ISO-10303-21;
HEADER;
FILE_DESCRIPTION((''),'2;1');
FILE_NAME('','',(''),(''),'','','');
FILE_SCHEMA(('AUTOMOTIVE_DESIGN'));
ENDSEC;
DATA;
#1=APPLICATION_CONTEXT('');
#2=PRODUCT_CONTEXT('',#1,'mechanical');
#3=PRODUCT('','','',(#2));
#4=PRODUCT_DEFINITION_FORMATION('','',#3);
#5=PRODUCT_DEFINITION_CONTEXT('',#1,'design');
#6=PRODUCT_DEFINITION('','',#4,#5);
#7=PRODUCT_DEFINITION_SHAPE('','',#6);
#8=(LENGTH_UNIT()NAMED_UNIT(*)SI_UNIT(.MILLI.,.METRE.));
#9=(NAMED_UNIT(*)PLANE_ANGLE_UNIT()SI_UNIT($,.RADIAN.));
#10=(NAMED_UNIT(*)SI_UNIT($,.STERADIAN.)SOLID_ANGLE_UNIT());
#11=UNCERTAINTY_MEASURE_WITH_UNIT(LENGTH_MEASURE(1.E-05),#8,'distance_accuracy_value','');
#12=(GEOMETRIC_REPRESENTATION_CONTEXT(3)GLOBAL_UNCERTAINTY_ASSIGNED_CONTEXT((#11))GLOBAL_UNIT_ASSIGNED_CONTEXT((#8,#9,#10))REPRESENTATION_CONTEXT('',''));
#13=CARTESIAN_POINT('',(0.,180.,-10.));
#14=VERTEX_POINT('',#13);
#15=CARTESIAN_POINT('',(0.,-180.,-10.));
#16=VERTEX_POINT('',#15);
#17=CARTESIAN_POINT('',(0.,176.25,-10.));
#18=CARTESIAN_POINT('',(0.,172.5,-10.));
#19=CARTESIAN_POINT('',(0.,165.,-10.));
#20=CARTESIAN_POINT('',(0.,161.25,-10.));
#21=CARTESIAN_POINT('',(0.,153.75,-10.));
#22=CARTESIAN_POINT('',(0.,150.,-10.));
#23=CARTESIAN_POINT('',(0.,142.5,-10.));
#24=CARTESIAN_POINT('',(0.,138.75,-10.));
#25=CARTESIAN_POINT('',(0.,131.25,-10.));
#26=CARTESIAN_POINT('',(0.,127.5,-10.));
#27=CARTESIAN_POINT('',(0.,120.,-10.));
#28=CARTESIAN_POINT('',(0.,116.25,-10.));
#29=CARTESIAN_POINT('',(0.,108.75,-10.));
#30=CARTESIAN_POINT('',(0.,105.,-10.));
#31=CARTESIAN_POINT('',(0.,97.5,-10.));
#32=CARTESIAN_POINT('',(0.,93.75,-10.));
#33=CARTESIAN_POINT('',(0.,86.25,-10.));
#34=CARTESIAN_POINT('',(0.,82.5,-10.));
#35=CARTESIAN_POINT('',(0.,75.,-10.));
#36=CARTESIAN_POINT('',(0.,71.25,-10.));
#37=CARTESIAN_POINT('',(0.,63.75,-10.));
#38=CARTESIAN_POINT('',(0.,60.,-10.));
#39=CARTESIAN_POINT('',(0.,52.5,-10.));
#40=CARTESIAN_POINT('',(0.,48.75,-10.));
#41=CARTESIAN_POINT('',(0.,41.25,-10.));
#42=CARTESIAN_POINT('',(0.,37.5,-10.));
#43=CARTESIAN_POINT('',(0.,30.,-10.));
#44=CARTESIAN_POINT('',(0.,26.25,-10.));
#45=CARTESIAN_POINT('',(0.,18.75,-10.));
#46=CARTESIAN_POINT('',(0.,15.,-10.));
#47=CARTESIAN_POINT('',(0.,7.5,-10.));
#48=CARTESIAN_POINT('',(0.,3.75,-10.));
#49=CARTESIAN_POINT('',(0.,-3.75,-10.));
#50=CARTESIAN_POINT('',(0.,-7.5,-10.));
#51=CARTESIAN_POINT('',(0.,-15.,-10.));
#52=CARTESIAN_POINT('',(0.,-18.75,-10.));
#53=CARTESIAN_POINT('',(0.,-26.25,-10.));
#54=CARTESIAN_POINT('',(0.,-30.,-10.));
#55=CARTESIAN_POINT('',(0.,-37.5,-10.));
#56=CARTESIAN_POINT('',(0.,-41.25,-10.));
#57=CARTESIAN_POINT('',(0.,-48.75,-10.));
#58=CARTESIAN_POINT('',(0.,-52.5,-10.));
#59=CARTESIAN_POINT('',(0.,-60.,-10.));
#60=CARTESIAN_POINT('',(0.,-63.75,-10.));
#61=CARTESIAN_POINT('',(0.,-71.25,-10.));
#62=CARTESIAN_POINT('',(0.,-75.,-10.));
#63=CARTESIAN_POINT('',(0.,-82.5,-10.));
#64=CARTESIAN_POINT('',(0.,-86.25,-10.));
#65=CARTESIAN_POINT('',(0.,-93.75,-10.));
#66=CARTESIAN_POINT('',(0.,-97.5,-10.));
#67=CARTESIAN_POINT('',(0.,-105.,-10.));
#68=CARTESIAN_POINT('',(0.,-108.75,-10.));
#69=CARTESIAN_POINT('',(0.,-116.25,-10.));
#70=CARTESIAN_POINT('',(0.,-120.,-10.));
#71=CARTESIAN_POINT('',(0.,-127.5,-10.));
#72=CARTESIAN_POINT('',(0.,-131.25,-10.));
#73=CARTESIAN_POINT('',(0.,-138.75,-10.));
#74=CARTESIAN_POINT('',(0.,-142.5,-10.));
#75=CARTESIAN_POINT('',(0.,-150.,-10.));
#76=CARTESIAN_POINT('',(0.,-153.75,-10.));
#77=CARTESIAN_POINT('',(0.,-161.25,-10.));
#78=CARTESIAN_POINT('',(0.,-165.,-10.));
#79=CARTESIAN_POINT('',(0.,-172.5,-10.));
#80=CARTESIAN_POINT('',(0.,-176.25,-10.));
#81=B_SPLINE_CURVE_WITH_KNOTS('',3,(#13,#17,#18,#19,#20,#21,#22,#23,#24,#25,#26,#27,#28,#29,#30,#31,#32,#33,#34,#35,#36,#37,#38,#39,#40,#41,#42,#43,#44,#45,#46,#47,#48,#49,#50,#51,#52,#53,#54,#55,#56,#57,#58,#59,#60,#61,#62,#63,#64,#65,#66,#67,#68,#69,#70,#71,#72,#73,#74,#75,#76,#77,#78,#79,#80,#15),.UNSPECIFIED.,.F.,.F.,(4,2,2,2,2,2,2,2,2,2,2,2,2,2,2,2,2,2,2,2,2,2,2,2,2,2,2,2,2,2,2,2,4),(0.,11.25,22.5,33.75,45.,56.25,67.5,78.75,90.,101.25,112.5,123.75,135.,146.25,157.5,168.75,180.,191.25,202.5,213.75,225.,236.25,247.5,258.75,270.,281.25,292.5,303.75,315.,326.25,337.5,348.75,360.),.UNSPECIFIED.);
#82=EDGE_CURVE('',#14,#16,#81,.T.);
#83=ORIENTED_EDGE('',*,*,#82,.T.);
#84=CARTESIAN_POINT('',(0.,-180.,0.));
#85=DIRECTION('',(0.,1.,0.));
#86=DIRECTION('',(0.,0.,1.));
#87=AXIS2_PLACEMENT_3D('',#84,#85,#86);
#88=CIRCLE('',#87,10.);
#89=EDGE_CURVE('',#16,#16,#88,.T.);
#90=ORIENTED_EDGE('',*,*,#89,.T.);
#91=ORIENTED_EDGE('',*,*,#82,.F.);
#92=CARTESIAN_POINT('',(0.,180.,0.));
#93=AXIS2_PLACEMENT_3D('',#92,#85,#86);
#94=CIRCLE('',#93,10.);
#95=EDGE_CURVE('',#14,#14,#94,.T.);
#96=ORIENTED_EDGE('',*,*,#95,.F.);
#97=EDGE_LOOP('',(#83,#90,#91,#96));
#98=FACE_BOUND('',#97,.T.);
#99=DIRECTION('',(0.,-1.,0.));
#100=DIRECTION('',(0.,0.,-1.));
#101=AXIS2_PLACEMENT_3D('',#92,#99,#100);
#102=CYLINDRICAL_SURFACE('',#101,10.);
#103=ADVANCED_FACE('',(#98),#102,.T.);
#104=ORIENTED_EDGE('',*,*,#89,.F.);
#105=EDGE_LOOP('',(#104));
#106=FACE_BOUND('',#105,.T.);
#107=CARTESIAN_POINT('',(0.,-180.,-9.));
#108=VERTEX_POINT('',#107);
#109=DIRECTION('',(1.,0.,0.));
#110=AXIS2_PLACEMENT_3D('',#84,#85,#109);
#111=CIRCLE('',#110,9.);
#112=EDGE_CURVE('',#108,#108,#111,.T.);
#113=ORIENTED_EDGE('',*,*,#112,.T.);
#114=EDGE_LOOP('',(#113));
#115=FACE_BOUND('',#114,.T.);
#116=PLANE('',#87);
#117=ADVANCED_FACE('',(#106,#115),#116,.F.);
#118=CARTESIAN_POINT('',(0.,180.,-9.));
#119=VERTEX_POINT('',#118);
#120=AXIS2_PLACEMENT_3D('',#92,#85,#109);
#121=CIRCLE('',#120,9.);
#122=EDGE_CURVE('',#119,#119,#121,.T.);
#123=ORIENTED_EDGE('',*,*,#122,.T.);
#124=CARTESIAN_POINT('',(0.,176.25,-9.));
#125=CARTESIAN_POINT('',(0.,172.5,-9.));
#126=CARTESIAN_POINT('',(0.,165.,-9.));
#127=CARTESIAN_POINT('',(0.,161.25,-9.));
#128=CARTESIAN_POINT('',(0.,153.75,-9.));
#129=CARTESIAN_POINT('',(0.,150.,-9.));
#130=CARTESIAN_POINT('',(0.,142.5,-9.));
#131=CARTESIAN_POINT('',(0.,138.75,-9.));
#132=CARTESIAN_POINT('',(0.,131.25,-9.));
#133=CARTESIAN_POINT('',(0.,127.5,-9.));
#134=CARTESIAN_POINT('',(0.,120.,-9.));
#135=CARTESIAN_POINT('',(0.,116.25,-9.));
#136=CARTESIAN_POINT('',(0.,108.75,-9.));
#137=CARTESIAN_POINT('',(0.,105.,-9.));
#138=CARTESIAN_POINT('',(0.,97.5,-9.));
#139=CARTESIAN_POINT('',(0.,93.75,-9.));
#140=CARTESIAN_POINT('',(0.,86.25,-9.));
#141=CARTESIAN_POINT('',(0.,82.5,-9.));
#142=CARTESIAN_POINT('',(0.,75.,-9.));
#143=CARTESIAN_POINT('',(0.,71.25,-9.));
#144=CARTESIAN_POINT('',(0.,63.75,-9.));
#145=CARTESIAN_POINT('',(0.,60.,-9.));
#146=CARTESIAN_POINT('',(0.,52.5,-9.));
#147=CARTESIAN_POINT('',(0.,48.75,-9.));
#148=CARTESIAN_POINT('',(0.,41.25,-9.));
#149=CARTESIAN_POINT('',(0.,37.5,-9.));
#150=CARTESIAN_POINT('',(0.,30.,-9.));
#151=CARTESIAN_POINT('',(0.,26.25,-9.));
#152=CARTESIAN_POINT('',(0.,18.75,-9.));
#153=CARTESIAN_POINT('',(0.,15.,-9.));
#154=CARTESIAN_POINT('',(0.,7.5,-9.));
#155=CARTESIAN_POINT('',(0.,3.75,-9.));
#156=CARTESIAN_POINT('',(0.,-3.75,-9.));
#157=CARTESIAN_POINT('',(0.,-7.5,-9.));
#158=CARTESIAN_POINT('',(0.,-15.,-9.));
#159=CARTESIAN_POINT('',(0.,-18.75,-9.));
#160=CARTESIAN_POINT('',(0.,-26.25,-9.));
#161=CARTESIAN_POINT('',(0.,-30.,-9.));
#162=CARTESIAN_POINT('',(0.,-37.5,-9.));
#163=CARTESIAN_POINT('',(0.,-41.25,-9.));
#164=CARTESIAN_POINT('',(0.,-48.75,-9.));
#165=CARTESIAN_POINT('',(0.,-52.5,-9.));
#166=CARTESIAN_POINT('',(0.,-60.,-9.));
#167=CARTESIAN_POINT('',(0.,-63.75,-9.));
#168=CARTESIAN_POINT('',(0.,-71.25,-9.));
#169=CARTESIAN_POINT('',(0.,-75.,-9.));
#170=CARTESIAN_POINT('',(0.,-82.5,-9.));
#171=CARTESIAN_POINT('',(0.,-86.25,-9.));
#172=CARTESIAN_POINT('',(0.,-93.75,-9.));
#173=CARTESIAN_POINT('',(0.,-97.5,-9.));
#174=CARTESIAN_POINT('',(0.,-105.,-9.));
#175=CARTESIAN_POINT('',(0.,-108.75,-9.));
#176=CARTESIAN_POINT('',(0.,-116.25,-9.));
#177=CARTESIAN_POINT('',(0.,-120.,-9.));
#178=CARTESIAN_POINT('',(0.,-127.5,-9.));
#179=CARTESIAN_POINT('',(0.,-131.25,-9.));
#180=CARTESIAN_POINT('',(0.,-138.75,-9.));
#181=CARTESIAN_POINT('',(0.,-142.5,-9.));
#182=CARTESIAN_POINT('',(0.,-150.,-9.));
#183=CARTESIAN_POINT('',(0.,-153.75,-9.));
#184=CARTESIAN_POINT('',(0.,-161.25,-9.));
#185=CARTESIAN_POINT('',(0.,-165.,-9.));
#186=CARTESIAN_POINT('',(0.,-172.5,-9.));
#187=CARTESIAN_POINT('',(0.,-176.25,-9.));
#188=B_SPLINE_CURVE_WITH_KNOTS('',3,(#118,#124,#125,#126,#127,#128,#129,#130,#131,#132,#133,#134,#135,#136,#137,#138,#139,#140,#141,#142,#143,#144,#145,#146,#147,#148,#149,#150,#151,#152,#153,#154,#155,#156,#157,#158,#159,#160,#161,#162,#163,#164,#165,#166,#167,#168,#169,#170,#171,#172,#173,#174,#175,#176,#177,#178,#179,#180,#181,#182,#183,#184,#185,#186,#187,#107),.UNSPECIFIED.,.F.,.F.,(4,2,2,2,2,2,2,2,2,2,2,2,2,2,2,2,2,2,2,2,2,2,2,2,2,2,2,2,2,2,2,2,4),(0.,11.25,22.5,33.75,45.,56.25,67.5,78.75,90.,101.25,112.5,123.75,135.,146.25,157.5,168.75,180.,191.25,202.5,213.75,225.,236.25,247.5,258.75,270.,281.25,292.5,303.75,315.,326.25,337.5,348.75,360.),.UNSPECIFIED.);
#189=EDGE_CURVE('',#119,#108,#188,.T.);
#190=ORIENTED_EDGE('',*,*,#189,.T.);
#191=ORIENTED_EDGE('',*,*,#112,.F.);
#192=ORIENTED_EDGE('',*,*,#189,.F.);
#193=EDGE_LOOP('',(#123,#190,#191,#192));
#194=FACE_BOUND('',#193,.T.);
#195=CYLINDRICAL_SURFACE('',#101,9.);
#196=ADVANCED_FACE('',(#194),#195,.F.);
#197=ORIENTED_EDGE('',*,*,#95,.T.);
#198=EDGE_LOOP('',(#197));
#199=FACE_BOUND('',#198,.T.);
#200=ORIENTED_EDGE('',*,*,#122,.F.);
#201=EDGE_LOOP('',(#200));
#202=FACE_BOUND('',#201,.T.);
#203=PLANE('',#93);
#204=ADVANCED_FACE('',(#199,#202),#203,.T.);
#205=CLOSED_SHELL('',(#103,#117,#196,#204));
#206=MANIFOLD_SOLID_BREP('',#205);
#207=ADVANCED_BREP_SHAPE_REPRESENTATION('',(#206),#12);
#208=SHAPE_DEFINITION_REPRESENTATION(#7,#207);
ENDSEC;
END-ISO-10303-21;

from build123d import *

# Parameters (mm, degrees)
SKETCH_1_R   = 10
SKETCH_1_R_2 = 9
F_1MM_DEPTH  = 180


with BuildPart() as part:
    # 草图1 → 1mm (new, symmetric)
    with BuildSketch(Plane(origin=(0, 0, 0), x_dir=(1, 0, 0), z_dir=(0, 1, 0))):
        Circle(SKETCH_1_R)
        Circle(SKETCH_1_R_2, mode=Mode.SUBTRACT)
    extrude(amount=F_1MM_DEPTH, both=True)


solid = part.part
